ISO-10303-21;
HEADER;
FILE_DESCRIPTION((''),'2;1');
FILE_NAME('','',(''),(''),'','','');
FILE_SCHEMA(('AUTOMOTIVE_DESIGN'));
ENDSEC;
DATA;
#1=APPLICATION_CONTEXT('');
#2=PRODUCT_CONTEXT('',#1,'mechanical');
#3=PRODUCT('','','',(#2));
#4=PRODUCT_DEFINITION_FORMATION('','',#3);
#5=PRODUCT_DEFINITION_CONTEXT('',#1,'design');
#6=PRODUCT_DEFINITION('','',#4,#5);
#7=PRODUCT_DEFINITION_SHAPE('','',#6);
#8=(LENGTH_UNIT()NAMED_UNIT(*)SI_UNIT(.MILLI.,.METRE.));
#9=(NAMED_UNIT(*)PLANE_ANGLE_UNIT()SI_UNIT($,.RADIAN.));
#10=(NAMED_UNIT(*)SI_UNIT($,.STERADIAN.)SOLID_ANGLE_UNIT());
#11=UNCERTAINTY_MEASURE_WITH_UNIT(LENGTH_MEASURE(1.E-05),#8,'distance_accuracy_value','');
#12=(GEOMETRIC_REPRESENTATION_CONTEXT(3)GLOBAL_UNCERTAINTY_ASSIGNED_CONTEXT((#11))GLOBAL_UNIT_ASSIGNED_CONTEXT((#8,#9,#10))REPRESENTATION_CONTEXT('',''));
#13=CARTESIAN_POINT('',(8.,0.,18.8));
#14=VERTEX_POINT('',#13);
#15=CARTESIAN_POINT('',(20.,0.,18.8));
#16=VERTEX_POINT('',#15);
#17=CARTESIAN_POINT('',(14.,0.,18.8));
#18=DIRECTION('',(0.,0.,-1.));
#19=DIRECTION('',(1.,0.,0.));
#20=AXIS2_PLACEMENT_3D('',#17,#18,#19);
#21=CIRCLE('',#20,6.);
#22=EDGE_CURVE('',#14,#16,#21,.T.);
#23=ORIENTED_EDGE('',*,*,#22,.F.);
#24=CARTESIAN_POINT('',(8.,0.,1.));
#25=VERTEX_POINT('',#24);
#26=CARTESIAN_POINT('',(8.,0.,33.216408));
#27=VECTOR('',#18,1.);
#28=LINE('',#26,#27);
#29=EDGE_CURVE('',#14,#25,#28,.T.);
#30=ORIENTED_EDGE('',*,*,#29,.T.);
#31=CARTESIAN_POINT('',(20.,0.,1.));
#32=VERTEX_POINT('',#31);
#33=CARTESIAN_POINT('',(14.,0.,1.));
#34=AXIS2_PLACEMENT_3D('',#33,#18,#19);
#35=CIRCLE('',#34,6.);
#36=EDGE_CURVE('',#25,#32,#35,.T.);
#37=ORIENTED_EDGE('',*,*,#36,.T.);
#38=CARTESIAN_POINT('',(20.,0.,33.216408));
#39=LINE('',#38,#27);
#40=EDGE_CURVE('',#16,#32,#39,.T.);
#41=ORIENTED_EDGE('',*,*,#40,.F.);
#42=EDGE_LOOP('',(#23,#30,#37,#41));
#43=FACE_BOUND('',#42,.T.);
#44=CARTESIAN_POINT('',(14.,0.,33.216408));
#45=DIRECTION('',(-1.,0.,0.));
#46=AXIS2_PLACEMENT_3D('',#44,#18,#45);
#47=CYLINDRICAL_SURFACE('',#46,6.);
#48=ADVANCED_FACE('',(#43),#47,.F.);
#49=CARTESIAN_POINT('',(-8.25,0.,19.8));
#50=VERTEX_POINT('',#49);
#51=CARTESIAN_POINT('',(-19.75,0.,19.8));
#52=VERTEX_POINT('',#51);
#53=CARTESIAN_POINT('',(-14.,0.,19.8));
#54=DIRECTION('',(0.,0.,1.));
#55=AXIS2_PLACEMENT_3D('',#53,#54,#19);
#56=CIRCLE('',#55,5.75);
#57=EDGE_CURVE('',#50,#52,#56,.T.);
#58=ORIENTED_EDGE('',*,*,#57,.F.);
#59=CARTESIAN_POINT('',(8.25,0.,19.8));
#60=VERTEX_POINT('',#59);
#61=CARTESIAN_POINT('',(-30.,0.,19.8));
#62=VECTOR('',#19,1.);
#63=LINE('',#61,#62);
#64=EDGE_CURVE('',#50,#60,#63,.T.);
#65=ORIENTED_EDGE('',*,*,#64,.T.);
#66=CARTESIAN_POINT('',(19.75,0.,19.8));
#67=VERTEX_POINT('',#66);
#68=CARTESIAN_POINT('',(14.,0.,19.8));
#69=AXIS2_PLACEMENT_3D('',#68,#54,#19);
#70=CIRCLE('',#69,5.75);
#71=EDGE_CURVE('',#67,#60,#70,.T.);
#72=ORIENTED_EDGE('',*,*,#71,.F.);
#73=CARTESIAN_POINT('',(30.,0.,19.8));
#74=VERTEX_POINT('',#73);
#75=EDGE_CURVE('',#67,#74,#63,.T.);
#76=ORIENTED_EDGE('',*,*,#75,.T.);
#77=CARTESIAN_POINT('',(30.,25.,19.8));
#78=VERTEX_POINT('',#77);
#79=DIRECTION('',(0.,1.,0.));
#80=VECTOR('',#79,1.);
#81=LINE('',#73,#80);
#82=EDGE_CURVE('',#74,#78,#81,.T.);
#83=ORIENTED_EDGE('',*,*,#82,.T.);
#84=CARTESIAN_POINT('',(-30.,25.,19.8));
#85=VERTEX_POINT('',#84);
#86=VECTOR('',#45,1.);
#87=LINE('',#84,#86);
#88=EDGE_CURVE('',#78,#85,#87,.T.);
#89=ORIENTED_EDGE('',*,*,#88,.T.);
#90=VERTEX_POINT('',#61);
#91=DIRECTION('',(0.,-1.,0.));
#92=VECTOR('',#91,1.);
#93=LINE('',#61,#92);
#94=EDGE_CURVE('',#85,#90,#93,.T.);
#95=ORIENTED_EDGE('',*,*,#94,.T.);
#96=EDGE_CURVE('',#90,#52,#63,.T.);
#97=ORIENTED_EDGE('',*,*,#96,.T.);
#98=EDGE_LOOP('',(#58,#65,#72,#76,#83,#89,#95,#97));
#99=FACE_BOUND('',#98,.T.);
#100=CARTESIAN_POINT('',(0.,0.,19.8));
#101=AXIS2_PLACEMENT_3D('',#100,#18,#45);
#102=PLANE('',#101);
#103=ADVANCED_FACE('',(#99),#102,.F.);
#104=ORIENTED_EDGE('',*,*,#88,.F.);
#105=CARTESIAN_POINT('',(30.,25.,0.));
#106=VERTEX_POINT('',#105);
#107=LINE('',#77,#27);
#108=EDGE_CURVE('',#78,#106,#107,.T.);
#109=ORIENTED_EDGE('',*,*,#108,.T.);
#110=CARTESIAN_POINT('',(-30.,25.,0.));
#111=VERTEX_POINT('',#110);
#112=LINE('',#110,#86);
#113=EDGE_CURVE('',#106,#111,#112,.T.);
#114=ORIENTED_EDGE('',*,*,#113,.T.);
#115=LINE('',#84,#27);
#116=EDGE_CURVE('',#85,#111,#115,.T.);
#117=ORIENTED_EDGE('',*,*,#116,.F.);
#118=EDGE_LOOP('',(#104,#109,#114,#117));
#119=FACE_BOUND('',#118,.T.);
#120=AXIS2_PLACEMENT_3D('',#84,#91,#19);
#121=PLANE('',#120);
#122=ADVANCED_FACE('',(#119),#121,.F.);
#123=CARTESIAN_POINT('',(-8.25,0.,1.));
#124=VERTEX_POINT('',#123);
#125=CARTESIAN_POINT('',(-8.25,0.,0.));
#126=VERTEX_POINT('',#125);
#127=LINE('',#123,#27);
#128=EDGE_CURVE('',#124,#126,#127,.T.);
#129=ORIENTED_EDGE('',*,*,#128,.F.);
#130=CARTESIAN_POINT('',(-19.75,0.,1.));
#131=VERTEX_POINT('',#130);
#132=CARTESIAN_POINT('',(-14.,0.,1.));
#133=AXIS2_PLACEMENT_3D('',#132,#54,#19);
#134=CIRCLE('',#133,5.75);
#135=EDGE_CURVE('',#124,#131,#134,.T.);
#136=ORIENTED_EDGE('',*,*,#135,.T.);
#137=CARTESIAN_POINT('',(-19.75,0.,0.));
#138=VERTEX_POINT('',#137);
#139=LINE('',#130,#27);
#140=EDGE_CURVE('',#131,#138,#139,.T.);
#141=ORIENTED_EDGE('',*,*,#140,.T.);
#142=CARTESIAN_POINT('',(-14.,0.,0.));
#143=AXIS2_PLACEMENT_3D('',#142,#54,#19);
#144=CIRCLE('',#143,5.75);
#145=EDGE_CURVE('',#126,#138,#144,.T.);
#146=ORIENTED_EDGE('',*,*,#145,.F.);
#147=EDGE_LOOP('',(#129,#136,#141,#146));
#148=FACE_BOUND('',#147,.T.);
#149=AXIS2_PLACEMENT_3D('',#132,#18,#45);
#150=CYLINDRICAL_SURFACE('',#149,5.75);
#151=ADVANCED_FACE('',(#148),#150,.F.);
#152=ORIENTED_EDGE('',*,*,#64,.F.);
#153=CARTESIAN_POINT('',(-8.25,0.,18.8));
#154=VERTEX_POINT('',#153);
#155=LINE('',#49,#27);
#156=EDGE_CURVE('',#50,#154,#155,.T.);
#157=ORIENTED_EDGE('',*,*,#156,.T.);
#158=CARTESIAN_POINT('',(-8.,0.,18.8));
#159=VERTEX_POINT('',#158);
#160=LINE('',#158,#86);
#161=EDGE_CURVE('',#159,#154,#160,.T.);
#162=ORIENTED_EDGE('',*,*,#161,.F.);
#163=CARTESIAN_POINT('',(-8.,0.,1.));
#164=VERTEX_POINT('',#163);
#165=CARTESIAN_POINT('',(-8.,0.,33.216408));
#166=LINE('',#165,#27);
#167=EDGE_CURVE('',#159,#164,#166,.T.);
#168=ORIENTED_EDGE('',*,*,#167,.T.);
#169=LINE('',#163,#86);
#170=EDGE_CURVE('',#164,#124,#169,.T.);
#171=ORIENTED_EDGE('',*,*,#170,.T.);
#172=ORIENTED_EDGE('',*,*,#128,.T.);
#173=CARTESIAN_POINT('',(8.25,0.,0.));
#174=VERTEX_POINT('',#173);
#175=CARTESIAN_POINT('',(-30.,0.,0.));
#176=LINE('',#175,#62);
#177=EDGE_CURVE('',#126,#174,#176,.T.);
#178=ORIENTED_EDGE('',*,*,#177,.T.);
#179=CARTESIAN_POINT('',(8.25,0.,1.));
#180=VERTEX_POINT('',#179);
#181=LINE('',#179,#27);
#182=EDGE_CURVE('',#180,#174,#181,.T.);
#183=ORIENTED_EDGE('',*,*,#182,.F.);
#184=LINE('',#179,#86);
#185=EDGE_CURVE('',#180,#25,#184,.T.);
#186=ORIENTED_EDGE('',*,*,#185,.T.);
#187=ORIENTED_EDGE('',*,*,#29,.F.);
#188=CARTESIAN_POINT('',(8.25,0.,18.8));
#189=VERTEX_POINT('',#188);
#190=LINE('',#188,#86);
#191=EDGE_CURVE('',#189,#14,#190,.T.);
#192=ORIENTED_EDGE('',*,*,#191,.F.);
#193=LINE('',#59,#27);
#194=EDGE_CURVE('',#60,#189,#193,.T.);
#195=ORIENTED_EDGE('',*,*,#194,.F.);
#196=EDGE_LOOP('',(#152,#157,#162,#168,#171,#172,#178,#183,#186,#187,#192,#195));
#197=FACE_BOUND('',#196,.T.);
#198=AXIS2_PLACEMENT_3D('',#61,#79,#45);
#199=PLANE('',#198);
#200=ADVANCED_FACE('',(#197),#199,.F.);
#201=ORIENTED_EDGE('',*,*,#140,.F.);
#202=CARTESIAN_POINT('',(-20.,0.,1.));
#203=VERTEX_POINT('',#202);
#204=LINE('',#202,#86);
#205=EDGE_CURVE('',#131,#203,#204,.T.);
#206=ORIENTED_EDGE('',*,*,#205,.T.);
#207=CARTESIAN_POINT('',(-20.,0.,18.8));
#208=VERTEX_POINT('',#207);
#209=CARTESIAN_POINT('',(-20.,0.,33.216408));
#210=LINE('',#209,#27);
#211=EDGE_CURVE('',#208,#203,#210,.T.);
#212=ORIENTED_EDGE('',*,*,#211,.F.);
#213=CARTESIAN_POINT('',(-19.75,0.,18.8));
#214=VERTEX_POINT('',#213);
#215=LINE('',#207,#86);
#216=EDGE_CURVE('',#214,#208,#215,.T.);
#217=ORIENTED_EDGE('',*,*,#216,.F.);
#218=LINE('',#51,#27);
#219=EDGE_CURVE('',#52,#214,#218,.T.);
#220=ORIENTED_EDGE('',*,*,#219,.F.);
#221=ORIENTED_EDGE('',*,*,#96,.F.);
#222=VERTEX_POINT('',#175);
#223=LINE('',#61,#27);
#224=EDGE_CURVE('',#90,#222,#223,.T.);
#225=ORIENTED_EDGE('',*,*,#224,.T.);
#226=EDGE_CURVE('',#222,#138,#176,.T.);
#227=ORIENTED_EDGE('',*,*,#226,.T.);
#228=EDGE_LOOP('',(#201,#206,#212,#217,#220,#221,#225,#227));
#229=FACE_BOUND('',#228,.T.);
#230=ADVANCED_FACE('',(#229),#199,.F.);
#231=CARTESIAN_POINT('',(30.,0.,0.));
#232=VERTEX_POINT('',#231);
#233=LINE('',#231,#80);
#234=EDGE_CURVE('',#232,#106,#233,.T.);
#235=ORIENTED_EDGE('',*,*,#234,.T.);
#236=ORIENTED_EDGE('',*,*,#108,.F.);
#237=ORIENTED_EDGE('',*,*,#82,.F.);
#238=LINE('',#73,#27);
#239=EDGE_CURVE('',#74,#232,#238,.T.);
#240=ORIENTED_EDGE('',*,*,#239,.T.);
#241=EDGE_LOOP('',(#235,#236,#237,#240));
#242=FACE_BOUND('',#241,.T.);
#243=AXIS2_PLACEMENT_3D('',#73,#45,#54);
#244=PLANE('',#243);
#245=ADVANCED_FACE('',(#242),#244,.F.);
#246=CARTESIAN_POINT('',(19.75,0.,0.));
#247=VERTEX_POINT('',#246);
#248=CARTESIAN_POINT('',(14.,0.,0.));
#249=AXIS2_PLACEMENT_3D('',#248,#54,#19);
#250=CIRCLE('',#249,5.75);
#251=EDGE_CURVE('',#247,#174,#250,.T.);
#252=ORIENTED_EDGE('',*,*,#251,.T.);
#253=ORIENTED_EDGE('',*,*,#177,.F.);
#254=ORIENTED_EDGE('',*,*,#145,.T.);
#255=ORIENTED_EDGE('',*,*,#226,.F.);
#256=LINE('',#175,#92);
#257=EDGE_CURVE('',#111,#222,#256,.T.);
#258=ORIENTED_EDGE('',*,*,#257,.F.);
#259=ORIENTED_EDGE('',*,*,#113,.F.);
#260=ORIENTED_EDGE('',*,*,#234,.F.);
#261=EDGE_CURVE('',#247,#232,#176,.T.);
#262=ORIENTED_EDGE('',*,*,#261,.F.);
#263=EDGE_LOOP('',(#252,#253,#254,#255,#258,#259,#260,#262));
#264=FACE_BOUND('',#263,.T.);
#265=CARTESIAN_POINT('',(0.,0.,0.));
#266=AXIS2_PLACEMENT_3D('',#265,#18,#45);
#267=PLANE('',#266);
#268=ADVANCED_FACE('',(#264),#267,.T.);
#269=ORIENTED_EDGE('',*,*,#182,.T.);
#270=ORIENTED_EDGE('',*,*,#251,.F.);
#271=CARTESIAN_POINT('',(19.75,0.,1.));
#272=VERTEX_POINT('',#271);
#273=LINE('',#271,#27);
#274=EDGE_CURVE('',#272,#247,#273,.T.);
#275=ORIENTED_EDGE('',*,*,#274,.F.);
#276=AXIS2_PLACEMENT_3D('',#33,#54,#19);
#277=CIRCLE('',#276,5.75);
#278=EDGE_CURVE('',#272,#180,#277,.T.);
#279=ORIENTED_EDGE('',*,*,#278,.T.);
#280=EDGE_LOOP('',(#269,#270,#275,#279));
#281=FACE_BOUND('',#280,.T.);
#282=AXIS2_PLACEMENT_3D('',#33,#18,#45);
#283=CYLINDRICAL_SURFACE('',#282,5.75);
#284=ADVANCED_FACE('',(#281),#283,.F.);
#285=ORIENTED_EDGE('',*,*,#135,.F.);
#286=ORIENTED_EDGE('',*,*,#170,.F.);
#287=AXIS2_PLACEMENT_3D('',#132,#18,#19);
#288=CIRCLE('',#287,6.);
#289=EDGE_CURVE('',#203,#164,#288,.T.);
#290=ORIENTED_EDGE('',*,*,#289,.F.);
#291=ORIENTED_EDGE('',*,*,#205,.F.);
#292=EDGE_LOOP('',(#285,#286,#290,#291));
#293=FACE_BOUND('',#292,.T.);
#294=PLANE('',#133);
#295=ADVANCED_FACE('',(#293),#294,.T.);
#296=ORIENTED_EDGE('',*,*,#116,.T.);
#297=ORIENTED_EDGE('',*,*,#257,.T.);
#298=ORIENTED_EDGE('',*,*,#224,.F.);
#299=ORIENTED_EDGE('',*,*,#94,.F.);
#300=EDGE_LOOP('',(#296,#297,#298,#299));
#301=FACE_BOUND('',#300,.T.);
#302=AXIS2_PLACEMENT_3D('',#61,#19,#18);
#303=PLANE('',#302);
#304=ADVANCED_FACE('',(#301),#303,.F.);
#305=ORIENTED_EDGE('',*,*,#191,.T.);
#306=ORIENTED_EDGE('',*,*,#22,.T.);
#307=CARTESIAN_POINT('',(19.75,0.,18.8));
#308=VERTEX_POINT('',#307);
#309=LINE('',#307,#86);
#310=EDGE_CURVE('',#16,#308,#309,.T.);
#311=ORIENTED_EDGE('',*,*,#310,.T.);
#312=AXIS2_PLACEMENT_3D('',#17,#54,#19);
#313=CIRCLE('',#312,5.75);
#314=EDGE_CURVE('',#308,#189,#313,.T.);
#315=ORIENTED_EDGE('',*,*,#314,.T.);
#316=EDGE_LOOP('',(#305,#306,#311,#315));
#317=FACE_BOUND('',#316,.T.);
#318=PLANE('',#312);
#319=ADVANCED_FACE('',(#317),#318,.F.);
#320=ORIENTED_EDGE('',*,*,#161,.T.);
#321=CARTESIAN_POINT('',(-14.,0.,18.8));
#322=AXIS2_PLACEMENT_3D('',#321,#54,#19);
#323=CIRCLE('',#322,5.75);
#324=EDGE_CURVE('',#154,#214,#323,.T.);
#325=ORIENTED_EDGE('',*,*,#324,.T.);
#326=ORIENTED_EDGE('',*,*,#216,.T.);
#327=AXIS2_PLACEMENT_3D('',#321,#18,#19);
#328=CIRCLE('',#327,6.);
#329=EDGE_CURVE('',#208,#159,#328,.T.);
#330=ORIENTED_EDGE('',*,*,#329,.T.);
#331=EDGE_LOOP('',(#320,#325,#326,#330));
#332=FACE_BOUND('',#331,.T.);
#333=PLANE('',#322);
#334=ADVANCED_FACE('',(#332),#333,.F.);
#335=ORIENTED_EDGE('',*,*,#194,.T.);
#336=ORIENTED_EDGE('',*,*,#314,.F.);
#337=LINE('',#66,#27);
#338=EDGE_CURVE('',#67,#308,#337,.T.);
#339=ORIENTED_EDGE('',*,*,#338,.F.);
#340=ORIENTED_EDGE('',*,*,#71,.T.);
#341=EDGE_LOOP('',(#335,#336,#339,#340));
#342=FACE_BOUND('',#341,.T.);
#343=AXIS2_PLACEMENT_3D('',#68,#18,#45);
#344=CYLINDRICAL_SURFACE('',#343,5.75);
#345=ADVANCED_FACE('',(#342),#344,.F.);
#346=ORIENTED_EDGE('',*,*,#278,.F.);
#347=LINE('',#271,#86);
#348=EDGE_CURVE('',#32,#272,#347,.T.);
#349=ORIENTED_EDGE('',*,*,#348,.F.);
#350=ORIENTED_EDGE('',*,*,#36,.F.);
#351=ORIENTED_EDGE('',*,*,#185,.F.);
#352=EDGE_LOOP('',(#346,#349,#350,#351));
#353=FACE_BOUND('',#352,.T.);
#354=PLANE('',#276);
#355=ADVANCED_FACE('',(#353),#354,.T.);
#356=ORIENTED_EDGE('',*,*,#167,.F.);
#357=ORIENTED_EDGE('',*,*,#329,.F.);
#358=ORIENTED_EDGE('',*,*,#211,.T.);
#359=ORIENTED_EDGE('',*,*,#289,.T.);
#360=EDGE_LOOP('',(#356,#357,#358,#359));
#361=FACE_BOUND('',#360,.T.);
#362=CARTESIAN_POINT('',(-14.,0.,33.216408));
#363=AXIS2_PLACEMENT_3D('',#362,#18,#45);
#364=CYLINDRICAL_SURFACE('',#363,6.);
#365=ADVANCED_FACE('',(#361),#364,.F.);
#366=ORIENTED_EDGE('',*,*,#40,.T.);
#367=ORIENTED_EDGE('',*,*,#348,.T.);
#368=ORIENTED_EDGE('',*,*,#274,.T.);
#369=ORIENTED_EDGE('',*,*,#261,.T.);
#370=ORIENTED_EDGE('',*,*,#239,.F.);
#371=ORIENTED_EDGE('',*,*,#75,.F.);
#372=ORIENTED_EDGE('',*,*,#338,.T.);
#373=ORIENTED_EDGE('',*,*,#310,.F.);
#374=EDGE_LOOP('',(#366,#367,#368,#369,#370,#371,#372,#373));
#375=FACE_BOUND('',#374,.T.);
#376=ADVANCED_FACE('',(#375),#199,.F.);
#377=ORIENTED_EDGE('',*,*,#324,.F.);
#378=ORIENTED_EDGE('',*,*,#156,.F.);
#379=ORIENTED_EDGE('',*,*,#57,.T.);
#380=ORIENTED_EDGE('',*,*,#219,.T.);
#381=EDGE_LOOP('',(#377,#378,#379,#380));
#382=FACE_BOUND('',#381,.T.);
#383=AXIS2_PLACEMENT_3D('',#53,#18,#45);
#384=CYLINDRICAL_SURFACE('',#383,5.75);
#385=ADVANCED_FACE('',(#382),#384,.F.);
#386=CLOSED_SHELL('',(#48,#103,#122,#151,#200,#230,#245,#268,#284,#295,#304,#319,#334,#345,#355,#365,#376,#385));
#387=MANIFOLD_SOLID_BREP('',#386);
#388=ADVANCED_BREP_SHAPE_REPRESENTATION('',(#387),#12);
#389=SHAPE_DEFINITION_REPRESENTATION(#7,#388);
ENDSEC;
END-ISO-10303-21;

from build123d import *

# Parameters (mm, degrees)
SKETCH1_W           = 60
SKETCH1_H           = 25
BOSS_EXTRUDE1_DEPTH = 19.8
CUT_EXTRUDE3_DEPTH  = 19.8
BOSS_EXTRUDE2_DEPTH = 1
BOSS_EXTRUDE3_START = -18.8
BOSS_EXTRUDE3_DEPTH = 1


with BuildPart() as part:
    # Sketch1 → Boss-Extrude1 (new body)
    with BuildSketch(Plane.XY):
        with Locations((0, 12.5)):
            Rectangle(SKETCH1_W, SKETCH1_H)
    extrude(amount=BOSS_EXTRUDE1_DEPTH)

    # Sketch2 → Cut-Extrude3 (cut)
    with BuildSketch(Plane(origin=(0, 0, 0), x_dir=(-1, 0, 0), z_dir=(0, 0, -1))):
        with BuildLine():
            Line((-20, 0), (-8, 0))
            ThreePointArc((-8, 0), (-14, 6), (-20, 0))
        make_face()
        with BuildLine():
            Line((8, 0), (20, 0))
            ThreePointArc((20, 0), (14, 6), (8, 0))
        make_face()
    extrude(amount=-CUT_EXTRUDE3_DEPTH, mode=Mode.SUBTRACT)

    # Sketch4 → Boss-Extrude2 (add)
    with BuildSketch(Plane(origin=(0, 0, 0), x_dir=(-1, 0, 0), z_dir=(0, 0, -1))):
        with BuildLine():
            Line((-19.75, 0), (-20, 0))
            ThreePointArc((-20, 0), (-14, 6), (-8, 0))
            Line((-8, 0), (-8.25, 0))
            ThreePointArc((-8.25, 0), (-14, 5.75), (-19.75, 0))
        make_face()
        with BuildLine():
            Line((8, 0), (8.25, 0))
            ThreePointArc((8.25, 0), (14, 5.75), (19.75, 0))
            Line((19.75, 0), (20, 0))
            ThreePointArc((20, 0), (14, 6), (8, 0))
        make_face()
    extrude(amount=-BOSS_EXTRUDE2_DEPTH)

    # Sketch4<2> → Boss-Extrude3 (add)
    with BuildSketch(Plane(origin=(0, 0, 0), x_dir=(-1, 0, 0), z_dir=(0, 0, -1)).offset(BOSS_EXTRUDE3_START)):
        with BuildLine():
            Line((-19.75, 0), (-20, 0))
            ThreePointArc((-20, 0), (-14, 6), (-8, 0))
            Line((-8, 0), (-8.25, 0))
            ThreePointArc((-8.25, 0), (-14, 5.75), (-19.75, 0))
        make_face()
        with BuildLine():
            Line((8, 0), (8.25, 0))
            ThreePointArc((8.25, 0), (14, 5.75), (19.75, 0))
            Line((19.75, 0), (20, 0))
            ThreePointArc((20, 0), (14, 6), (8, 0))
        make_face()
    extrude(amount=-BOSS_EXTRUDE3_DEPTH)


solid = part.part
